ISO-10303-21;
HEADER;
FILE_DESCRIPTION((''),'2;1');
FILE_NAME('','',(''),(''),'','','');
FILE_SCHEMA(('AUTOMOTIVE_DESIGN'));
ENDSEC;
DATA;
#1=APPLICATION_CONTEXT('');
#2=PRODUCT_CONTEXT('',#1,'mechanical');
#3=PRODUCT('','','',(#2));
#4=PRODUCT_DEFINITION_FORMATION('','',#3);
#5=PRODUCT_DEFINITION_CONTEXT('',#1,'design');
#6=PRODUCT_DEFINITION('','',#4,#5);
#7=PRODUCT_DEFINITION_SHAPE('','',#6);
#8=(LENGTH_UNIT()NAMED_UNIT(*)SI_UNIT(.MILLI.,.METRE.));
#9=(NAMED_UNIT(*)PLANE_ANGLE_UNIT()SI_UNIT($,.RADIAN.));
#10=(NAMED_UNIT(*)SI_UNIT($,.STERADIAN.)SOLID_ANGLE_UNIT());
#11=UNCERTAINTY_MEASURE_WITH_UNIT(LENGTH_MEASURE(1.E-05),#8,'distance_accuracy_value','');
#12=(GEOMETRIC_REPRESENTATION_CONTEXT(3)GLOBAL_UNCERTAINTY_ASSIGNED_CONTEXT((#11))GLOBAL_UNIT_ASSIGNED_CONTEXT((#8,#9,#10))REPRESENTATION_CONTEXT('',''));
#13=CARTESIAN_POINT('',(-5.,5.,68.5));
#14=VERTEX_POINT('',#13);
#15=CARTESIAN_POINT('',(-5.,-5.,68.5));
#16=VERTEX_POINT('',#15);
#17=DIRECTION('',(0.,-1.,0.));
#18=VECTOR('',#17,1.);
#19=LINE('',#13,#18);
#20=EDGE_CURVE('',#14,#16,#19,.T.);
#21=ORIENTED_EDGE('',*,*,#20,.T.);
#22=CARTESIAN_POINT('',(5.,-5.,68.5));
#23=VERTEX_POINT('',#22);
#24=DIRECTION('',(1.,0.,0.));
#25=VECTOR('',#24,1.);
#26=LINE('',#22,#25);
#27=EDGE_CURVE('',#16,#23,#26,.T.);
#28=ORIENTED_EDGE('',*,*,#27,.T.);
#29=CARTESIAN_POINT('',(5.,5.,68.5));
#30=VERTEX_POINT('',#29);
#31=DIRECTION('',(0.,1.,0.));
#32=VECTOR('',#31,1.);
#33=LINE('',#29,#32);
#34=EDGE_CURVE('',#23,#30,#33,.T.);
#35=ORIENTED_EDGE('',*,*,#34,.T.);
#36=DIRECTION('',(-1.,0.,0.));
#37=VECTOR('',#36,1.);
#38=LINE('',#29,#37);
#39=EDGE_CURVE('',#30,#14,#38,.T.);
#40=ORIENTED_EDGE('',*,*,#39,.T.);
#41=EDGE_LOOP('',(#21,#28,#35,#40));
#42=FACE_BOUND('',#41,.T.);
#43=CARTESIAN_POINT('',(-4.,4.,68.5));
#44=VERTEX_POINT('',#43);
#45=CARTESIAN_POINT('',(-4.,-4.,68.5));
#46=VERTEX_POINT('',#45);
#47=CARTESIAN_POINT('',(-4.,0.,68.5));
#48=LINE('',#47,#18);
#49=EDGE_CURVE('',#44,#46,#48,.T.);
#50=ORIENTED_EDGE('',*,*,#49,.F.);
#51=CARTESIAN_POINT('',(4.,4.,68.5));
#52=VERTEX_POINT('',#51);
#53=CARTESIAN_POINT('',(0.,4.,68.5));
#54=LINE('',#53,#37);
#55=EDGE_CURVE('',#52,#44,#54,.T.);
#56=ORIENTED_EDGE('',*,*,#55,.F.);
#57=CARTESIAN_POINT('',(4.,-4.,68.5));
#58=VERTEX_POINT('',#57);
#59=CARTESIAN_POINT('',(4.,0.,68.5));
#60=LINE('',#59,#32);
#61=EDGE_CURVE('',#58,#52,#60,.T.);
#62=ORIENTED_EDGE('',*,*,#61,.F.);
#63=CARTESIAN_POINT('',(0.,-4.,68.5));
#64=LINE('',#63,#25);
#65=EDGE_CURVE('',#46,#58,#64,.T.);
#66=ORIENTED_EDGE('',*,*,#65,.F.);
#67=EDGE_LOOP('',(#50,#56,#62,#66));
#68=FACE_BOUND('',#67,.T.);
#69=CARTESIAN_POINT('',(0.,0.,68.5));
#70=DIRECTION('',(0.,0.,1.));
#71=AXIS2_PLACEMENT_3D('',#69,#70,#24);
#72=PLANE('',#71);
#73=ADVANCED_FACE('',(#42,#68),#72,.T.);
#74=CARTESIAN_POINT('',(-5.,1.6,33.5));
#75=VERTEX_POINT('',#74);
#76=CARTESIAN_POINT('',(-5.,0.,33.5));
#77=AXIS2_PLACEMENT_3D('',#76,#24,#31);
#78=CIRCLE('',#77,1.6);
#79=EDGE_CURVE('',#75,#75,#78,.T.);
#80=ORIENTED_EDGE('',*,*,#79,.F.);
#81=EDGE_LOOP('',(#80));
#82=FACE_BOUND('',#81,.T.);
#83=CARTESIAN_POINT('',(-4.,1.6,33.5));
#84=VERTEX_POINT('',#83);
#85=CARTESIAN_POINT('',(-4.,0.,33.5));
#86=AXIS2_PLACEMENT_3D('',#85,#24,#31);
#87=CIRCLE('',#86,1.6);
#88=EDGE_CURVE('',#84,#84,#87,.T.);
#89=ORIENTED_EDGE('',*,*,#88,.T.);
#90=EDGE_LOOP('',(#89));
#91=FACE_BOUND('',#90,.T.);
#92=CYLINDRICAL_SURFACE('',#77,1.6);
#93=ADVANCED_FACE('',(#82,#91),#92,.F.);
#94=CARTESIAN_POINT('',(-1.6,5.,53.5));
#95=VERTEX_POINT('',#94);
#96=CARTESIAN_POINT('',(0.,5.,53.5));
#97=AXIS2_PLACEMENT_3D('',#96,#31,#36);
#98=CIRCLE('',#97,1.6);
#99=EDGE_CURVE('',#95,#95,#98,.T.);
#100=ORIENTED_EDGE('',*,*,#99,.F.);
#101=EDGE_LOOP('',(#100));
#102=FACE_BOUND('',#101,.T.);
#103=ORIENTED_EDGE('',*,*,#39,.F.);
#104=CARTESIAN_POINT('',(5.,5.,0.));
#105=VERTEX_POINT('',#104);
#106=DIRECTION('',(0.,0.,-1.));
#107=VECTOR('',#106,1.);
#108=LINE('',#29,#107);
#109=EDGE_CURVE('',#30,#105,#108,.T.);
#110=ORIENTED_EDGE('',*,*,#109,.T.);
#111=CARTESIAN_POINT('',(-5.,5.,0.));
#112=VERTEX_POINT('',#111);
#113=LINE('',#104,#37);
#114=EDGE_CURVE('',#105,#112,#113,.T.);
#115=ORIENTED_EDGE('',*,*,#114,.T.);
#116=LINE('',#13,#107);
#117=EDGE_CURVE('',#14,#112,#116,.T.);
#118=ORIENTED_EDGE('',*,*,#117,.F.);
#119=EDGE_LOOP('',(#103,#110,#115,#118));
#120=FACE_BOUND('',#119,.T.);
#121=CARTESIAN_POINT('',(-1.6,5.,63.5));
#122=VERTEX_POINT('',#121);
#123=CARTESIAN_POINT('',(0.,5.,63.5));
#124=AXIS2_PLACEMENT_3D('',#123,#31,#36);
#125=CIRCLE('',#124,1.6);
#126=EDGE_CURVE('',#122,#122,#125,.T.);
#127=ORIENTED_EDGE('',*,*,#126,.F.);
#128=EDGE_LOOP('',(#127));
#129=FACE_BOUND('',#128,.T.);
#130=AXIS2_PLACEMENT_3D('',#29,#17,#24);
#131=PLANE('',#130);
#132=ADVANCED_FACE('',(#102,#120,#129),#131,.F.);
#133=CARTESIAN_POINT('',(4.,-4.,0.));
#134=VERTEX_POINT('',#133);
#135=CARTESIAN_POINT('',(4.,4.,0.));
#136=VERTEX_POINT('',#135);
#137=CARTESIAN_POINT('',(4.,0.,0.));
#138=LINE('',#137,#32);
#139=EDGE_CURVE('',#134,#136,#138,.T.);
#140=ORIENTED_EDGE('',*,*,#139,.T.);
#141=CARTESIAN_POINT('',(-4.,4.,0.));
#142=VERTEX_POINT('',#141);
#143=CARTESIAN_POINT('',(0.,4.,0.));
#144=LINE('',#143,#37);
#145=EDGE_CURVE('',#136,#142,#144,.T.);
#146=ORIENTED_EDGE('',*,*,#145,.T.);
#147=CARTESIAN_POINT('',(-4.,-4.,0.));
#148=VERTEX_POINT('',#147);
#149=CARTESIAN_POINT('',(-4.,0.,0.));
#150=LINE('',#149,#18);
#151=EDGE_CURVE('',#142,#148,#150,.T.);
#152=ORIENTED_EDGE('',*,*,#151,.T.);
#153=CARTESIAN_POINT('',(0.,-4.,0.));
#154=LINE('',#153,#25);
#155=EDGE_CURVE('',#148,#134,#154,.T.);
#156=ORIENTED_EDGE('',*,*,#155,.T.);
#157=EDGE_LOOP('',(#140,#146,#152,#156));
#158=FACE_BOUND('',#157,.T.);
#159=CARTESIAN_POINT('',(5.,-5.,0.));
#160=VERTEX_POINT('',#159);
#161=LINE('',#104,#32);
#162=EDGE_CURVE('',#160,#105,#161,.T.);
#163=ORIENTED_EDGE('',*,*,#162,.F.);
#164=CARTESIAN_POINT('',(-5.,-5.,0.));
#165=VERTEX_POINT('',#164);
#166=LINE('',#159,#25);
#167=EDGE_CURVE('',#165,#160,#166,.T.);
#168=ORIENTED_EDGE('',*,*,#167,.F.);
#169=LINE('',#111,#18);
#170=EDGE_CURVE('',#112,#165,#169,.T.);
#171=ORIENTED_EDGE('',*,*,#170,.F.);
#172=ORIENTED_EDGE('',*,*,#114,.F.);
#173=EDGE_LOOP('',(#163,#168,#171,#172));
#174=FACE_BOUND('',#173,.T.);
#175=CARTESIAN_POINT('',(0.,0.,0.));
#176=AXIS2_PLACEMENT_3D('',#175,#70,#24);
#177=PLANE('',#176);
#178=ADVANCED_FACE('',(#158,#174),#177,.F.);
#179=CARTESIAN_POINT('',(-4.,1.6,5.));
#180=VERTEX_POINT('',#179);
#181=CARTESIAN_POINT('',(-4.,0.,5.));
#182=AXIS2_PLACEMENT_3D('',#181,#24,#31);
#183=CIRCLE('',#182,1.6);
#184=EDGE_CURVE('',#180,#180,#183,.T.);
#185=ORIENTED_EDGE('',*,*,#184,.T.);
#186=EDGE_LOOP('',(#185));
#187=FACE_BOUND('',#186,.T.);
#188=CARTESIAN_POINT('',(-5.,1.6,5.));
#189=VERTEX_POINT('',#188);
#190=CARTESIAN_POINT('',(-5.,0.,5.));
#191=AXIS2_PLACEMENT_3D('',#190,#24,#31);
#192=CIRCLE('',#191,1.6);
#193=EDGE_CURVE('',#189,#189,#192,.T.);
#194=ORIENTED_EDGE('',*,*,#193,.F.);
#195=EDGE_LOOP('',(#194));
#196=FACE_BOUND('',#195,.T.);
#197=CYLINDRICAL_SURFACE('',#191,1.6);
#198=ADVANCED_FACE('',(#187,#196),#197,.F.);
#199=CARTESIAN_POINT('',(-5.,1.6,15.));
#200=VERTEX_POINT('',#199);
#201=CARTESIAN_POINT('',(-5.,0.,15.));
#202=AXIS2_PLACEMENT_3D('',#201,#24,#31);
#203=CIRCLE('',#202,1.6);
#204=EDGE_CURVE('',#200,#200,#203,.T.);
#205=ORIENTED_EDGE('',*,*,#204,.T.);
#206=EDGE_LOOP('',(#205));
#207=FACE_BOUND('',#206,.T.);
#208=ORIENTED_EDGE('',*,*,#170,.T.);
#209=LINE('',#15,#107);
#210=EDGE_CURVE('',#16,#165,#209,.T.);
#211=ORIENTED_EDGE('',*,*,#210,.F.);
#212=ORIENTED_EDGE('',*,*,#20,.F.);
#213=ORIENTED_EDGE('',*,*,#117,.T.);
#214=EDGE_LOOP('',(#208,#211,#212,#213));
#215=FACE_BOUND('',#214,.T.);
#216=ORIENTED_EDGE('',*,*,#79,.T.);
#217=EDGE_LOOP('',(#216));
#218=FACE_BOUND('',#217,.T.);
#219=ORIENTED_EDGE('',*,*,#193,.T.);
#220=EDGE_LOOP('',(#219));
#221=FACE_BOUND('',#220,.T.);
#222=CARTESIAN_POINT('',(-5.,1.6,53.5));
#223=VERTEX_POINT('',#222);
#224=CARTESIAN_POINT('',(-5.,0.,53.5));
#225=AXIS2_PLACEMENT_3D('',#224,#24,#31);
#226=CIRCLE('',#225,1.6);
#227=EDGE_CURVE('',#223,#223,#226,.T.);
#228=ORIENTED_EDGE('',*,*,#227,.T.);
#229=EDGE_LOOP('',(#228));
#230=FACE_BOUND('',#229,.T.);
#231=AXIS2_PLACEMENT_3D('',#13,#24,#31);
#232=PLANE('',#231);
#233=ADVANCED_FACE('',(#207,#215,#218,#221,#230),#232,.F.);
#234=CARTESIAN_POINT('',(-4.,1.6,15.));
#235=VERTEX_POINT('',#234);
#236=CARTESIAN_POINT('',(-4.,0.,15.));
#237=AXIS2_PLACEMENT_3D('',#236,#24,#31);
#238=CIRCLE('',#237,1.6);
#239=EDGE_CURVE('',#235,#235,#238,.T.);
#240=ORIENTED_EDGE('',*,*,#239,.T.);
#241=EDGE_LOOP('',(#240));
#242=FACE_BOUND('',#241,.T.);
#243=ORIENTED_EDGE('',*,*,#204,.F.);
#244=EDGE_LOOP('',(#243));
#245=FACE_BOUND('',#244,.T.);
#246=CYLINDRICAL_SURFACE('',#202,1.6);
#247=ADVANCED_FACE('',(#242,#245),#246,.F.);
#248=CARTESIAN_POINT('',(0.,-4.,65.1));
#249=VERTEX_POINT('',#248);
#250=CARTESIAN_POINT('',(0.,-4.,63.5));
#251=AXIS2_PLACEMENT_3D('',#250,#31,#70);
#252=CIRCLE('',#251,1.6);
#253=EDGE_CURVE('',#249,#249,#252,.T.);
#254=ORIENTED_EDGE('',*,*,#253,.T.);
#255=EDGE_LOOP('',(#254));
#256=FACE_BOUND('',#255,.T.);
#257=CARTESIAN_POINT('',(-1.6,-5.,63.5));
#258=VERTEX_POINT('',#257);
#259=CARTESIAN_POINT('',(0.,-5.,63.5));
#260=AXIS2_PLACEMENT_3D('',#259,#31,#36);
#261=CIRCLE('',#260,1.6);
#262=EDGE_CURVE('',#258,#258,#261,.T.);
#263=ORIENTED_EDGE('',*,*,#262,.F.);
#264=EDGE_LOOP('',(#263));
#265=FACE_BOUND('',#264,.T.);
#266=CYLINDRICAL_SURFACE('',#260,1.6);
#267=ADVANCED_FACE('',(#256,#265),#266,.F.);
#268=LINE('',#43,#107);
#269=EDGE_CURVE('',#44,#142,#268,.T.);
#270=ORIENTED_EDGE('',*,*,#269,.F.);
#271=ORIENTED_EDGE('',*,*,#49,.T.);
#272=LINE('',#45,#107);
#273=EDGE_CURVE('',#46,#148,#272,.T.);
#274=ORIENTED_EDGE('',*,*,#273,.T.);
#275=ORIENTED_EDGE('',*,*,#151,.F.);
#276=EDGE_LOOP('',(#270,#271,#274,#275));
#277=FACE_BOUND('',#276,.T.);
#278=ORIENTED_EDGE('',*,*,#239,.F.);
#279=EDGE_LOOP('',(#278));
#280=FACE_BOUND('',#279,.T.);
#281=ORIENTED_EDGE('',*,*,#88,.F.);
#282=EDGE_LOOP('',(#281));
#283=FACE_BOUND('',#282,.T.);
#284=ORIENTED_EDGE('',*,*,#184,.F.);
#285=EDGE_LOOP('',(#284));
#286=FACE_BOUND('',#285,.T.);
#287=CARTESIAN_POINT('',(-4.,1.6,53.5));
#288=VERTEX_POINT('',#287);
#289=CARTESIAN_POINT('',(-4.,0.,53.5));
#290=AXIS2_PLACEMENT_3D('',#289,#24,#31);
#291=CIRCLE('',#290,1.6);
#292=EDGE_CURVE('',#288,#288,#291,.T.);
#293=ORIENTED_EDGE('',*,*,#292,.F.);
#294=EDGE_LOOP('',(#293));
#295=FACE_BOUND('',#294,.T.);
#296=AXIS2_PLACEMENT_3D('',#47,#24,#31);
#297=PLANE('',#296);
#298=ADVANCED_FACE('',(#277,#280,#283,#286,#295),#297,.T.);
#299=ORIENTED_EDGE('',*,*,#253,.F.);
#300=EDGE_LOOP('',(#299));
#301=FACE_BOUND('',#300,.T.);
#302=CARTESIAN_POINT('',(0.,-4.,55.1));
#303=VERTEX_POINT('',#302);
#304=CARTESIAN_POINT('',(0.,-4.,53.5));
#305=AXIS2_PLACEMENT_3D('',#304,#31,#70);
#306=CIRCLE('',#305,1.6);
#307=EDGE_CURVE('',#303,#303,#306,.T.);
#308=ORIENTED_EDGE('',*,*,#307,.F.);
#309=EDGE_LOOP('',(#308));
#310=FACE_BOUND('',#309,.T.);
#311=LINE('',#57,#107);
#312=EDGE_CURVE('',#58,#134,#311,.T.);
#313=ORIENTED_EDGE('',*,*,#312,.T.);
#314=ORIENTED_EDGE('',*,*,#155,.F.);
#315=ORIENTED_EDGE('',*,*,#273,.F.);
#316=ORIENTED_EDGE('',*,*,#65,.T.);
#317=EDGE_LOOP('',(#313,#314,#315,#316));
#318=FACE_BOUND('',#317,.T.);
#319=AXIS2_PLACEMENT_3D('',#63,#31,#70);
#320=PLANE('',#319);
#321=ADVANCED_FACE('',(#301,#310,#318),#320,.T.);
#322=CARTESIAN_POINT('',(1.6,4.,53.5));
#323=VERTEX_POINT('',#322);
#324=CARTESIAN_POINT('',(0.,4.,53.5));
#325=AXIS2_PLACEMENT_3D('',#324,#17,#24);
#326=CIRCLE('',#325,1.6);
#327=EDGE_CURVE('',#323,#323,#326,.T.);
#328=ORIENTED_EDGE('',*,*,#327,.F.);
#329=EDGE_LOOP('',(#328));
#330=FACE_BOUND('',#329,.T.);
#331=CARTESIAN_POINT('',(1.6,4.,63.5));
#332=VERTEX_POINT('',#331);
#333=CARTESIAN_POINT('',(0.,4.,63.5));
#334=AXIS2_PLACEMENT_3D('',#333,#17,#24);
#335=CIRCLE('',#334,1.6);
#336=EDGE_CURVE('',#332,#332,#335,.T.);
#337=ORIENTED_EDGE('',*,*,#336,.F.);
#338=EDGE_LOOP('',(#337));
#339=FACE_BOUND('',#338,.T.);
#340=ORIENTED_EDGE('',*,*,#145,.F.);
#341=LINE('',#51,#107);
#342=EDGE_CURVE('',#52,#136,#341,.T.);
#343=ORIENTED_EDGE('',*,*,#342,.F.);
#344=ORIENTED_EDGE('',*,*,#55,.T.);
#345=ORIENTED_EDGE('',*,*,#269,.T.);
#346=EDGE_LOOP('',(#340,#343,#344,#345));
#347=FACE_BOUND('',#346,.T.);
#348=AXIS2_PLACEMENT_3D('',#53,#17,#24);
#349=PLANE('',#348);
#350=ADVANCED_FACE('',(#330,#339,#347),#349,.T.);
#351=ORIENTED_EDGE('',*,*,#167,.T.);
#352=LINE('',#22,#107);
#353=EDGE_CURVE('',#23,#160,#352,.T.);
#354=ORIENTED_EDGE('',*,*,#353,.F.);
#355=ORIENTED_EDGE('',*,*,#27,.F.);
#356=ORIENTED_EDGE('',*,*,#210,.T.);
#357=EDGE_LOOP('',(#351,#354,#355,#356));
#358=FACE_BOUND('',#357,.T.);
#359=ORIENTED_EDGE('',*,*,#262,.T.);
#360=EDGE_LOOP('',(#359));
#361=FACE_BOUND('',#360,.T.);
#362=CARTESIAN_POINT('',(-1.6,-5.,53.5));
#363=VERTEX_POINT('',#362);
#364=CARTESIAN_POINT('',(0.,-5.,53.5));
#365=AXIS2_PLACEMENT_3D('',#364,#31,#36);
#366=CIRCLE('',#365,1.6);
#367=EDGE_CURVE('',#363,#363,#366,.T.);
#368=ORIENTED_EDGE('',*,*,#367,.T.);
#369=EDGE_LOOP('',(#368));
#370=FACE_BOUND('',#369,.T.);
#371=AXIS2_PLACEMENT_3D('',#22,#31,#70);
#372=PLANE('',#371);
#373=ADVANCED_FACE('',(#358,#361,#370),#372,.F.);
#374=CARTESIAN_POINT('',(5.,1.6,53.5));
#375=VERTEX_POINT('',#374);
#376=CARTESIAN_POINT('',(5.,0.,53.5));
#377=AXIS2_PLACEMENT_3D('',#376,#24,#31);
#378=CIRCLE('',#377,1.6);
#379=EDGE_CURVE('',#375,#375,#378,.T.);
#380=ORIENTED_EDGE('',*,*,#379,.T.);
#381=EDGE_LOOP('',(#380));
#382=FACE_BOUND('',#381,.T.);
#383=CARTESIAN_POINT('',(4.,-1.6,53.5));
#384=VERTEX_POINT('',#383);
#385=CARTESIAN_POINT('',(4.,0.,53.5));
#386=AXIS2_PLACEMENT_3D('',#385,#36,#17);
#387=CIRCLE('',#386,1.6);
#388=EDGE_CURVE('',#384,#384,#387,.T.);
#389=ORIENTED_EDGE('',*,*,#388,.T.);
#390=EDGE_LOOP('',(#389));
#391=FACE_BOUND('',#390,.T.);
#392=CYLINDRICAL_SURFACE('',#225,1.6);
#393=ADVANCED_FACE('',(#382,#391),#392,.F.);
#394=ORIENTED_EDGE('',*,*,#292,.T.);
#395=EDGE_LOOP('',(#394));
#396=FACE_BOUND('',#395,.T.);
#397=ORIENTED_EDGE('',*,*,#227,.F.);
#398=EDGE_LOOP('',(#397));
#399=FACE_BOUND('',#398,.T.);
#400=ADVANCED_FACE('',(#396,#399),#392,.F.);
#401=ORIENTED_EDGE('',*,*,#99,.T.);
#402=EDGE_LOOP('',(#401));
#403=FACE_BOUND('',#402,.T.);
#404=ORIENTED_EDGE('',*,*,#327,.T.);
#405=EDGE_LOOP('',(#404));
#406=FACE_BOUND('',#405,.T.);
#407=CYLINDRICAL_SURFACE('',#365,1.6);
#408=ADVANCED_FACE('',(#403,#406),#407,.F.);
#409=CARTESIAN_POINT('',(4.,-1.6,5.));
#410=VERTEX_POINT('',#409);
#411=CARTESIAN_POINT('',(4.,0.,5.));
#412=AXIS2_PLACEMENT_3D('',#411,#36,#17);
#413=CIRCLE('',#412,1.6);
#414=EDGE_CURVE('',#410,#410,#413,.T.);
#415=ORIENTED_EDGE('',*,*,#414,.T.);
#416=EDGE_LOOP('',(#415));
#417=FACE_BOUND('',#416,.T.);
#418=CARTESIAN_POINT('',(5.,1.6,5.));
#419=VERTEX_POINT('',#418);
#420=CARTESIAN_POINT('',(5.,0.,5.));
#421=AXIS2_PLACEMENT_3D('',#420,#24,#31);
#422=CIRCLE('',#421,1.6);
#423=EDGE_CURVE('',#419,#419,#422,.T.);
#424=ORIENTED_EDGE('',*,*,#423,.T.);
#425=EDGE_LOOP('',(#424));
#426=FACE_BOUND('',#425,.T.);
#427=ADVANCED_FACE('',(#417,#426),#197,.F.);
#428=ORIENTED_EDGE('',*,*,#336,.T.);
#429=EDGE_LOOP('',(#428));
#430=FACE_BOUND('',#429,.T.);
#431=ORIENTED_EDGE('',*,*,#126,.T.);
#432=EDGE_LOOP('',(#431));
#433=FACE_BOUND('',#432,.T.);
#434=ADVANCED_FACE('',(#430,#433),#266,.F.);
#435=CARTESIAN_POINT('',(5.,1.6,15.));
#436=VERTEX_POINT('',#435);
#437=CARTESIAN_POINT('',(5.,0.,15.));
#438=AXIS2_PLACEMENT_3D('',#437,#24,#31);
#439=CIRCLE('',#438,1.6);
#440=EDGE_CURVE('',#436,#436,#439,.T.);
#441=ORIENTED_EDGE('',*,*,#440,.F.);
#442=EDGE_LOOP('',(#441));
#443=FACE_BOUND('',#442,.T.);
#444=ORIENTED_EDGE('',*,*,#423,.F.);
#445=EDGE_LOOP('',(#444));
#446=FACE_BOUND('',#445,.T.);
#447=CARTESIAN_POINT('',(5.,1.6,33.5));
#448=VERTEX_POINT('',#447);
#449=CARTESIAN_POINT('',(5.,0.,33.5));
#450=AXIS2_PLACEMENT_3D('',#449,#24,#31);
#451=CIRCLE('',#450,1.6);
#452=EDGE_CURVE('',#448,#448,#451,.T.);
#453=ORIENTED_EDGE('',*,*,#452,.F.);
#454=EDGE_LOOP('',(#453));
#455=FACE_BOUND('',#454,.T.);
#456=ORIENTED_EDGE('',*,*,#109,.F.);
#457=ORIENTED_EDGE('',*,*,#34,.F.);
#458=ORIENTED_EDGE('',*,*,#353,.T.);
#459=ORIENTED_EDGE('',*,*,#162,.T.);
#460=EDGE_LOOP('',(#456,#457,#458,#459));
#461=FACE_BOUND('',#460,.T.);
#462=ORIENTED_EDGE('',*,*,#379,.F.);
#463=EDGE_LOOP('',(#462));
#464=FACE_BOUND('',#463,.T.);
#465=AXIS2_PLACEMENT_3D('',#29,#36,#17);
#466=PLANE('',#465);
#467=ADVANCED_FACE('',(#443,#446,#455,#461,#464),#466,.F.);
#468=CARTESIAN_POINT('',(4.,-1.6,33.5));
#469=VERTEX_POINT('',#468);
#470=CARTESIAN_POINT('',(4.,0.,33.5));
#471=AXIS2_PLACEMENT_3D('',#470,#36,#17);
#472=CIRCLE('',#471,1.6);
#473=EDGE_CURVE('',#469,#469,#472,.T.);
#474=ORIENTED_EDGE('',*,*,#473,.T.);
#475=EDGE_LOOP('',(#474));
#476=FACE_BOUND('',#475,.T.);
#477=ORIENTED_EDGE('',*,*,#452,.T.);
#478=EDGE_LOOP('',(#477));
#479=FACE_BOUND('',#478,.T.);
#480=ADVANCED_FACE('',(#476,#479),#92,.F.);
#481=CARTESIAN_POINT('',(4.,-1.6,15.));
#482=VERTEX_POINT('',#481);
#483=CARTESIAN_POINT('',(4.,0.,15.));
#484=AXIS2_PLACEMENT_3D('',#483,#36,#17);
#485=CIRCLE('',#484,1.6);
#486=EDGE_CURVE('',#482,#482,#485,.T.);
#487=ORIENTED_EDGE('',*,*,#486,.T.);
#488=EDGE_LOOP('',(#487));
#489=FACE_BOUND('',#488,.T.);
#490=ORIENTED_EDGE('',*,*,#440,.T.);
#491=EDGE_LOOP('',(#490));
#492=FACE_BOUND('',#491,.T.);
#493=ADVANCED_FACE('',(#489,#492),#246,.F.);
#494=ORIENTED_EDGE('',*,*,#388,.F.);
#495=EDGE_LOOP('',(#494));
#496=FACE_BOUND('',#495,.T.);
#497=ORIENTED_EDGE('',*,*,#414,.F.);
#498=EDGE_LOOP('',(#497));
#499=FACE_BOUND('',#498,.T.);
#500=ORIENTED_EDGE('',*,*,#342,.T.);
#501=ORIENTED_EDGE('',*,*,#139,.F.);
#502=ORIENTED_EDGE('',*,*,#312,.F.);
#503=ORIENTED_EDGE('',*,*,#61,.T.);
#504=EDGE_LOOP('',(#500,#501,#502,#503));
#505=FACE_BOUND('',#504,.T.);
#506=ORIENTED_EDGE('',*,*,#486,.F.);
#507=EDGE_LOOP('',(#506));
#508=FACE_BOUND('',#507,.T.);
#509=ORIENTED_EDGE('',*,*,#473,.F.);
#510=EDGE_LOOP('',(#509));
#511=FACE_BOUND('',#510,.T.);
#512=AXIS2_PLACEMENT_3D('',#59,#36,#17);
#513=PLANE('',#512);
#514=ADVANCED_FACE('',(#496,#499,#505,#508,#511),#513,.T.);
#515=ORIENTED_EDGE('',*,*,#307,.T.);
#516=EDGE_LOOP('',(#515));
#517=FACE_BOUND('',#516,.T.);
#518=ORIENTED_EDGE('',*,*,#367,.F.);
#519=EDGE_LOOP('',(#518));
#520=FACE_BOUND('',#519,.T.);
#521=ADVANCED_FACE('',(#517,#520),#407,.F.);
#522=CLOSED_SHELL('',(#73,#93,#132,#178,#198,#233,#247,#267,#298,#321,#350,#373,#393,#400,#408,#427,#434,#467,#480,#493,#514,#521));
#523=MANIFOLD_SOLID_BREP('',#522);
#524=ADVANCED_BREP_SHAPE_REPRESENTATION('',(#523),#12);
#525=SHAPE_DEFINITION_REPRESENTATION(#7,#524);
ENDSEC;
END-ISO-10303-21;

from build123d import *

# Parameters (mm, degrees)
SKETCH_1_W          = 10
SKETCH_1_H          = 10
SKETCH_1_W_2        = 8
SKETCH_1_H_2        = 8
EXTRUDE_1_DEPTH     = 68.5
SKETCH_2_R          = 1.6
CUT_EXTRUDE_1_DEPTH = 70.406411808
SKETCH_3_R          = 1.6
CUT_EXTRUDE_2_DEPTH = 70.406411808
SKETCH_4_R          = 1.6
CUT_EXTRUDE_3_DEPTH = 70.406411808


with BuildPart() as part:
    # ｽｹｯﾁ1 → 押し出し-薄板1 (new body)
    with BuildSketch(Plane.XY):
        Rectangle(SKETCH_1_W, SKETCH_1_H)
        Rectangle(SKETCH_1_W_2, SKETCH_1_H_2, mode=Mode.SUBTRACT)
    extrude(amount=EXTRUDE_1_DEPTH)

    # ｽｹｯﾁ2 → ｶｯﾄ - 押し出し1 (cut, through all)
    with BuildSketch(Plane(origin=(0, 5, 0), x_dir=(1, 0, 0), z_dir=(0, 1, 0))):
        with Locations(Location((0, -63.5, 0), (0, 0, 180))):
            Circle(SKETCH_2_R)
        with Locations(Location((0, -53.5, 0), (0, 0, 180))):
            Circle(SKETCH_2_R)
    extrude(amount=-CUT_EXTRUDE_1_DEPTH, mode=Mode.SUBTRACT)

    # ｽｹｯﾁ3 → ｶｯﾄ - 押し出し2 (cut, through all)
    with BuildSketch(Plane(origin=(5, 0, 0), x_dir=(0, 0, -1), z_dir=(1, 0, 0))):
        with Locations(Location((-5, 0, 0), (0, 0, 90))):
            Circle(SKETCH_3_R)
        with Locations(Location((-15, 0, 0), (0, 0, 90))):
            Circle(SKETCH_3_R)
    extrude(amount=-CUT_EXTRUDE_2_DEPTH, mode=Mode.SUBTRACT)

    # ｽｹｯﾁ4 → ｶｯﾄ - 押し出し3 (cut, through all)
    with BuildSketch(Plane(origin=(5, 0, 0), x_dir=(0, 0, -1), z_dir=(1, 0, 0))):
        with Locations(Location((-53.5, 0, 0), (0, 0, 90))):
            Circle(SKETCH_4_R)
        with Locations(Location((-33.5, 0, 0), (0, 0, 90))):
            Circle(SKETCH_4_R)
    extrude(amount=-CUT_EXTRUDE_3_DEPTH, mode=Mode.SUBTRACT)


solid = part.part
